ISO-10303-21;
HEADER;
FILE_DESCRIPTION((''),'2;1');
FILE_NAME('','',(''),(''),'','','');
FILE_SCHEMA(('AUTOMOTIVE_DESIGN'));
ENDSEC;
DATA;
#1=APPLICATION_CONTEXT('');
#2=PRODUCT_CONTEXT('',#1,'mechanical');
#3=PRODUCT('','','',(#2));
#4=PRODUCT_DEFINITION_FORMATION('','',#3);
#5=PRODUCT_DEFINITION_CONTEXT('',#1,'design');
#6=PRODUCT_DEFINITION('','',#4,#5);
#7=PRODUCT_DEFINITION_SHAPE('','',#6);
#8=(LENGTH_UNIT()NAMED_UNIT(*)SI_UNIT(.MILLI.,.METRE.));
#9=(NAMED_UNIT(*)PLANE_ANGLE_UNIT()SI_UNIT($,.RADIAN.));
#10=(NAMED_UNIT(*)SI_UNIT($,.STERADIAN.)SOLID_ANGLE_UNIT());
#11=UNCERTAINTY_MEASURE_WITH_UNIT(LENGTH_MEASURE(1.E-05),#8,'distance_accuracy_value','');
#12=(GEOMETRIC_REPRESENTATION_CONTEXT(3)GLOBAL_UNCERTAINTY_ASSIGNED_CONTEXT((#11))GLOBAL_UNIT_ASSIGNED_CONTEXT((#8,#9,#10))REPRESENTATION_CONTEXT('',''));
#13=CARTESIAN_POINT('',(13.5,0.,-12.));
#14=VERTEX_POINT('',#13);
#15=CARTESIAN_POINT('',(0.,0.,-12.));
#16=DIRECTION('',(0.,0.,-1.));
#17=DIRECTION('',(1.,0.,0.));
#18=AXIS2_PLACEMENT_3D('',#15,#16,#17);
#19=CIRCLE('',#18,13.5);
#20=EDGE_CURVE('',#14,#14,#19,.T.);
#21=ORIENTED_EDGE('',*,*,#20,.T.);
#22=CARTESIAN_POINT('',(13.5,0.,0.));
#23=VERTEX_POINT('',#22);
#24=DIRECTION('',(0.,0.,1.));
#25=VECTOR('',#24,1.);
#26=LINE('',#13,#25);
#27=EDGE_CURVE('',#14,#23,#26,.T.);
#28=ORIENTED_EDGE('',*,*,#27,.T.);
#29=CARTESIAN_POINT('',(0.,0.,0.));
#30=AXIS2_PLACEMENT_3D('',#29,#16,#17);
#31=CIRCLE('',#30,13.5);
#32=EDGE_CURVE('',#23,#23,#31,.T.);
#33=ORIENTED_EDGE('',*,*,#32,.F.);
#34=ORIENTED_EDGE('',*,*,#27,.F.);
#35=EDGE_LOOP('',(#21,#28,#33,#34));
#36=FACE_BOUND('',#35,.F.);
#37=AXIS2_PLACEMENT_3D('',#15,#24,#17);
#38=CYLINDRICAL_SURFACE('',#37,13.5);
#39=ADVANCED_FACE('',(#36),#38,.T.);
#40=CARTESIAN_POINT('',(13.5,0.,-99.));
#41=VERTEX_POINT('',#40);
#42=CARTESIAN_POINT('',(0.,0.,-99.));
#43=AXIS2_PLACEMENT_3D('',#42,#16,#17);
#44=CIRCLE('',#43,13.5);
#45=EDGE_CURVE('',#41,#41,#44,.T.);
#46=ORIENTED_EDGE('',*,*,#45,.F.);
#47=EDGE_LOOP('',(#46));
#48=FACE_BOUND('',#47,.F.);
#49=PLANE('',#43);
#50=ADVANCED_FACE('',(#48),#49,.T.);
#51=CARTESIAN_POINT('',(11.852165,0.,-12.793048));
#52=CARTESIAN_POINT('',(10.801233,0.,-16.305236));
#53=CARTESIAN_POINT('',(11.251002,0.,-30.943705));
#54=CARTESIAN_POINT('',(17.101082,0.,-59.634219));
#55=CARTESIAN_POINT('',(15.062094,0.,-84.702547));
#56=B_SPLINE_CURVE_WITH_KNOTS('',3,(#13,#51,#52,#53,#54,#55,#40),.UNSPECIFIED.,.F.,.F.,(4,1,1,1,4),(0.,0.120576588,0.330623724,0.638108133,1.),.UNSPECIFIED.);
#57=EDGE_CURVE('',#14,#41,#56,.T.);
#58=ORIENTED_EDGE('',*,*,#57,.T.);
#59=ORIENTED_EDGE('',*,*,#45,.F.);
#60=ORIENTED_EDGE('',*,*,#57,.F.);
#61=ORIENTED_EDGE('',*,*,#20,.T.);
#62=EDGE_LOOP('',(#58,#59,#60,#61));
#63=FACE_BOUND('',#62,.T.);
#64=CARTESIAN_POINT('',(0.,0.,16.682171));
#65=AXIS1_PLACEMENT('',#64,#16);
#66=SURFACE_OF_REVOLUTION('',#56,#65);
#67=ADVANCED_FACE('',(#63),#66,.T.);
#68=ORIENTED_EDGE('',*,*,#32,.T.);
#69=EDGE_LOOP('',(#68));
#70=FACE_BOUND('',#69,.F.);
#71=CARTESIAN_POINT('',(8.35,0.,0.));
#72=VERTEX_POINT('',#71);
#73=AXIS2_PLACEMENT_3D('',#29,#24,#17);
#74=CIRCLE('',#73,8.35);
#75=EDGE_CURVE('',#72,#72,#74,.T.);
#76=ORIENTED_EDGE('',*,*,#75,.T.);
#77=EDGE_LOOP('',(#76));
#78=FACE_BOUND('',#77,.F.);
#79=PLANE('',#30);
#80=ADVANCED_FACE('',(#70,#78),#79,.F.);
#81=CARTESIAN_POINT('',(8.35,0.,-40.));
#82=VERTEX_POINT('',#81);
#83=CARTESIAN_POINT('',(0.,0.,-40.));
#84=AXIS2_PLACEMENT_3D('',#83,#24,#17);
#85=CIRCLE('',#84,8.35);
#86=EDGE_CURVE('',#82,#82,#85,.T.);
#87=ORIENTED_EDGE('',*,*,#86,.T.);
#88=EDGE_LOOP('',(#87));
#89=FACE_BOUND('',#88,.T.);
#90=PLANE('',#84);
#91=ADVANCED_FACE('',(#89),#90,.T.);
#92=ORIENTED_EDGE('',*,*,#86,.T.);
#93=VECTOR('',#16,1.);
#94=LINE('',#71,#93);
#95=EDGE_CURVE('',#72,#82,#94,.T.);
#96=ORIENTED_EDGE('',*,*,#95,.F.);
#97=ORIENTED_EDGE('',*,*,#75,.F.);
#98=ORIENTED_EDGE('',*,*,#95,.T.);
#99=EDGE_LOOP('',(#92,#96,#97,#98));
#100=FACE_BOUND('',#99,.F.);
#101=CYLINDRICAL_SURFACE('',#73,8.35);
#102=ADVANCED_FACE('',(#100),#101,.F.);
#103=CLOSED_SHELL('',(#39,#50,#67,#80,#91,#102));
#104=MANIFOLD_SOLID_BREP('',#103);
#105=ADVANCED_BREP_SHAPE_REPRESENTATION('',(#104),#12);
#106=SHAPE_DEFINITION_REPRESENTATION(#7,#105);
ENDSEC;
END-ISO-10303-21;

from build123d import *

# Parameters (mm, degrees)
F2_R     = 8.35
F3_DEPTH = 40


with BuildPart() as f1:
    # F0 (on Front) → F1 (revolve)
    with BuildSketch(Plane.XZ):
        with BuildLine():
            Line((13.5, 0), (0, 0))
            Line((0, 0), (0, -99))
            Line((0, -99), (13.5, -99))
            add(Edge.make_bspline(
                [(13.5, -12), (11.8521648349, -12.7930483479), (10.801232848, -16.3052364588), (11.2510020116, -30.9437054659), (17.1010819538, -59.6342193089), (15.0620944201, -84.7025467764), (13.5, -99)],
                knots=[0, 0, 0, 0, 0.1205765881, 0.3306237238, 0.6381081335, 1, 1, 1, 1], degree=3))
            Line((13.5, -12), (13.5, 0))
        make_face()
    revolve(axis=Axis((0, 0, 16.6821705643), (0, 0, -1)))

    # F2 (on Top) → F3 (cut)
    with BuildSketch(Plane.XY):
        Circle(F2_R)
    extrude(amount=-F3_DEPTH, mode=Mode.SUBTRACT)


solid = f1.part
